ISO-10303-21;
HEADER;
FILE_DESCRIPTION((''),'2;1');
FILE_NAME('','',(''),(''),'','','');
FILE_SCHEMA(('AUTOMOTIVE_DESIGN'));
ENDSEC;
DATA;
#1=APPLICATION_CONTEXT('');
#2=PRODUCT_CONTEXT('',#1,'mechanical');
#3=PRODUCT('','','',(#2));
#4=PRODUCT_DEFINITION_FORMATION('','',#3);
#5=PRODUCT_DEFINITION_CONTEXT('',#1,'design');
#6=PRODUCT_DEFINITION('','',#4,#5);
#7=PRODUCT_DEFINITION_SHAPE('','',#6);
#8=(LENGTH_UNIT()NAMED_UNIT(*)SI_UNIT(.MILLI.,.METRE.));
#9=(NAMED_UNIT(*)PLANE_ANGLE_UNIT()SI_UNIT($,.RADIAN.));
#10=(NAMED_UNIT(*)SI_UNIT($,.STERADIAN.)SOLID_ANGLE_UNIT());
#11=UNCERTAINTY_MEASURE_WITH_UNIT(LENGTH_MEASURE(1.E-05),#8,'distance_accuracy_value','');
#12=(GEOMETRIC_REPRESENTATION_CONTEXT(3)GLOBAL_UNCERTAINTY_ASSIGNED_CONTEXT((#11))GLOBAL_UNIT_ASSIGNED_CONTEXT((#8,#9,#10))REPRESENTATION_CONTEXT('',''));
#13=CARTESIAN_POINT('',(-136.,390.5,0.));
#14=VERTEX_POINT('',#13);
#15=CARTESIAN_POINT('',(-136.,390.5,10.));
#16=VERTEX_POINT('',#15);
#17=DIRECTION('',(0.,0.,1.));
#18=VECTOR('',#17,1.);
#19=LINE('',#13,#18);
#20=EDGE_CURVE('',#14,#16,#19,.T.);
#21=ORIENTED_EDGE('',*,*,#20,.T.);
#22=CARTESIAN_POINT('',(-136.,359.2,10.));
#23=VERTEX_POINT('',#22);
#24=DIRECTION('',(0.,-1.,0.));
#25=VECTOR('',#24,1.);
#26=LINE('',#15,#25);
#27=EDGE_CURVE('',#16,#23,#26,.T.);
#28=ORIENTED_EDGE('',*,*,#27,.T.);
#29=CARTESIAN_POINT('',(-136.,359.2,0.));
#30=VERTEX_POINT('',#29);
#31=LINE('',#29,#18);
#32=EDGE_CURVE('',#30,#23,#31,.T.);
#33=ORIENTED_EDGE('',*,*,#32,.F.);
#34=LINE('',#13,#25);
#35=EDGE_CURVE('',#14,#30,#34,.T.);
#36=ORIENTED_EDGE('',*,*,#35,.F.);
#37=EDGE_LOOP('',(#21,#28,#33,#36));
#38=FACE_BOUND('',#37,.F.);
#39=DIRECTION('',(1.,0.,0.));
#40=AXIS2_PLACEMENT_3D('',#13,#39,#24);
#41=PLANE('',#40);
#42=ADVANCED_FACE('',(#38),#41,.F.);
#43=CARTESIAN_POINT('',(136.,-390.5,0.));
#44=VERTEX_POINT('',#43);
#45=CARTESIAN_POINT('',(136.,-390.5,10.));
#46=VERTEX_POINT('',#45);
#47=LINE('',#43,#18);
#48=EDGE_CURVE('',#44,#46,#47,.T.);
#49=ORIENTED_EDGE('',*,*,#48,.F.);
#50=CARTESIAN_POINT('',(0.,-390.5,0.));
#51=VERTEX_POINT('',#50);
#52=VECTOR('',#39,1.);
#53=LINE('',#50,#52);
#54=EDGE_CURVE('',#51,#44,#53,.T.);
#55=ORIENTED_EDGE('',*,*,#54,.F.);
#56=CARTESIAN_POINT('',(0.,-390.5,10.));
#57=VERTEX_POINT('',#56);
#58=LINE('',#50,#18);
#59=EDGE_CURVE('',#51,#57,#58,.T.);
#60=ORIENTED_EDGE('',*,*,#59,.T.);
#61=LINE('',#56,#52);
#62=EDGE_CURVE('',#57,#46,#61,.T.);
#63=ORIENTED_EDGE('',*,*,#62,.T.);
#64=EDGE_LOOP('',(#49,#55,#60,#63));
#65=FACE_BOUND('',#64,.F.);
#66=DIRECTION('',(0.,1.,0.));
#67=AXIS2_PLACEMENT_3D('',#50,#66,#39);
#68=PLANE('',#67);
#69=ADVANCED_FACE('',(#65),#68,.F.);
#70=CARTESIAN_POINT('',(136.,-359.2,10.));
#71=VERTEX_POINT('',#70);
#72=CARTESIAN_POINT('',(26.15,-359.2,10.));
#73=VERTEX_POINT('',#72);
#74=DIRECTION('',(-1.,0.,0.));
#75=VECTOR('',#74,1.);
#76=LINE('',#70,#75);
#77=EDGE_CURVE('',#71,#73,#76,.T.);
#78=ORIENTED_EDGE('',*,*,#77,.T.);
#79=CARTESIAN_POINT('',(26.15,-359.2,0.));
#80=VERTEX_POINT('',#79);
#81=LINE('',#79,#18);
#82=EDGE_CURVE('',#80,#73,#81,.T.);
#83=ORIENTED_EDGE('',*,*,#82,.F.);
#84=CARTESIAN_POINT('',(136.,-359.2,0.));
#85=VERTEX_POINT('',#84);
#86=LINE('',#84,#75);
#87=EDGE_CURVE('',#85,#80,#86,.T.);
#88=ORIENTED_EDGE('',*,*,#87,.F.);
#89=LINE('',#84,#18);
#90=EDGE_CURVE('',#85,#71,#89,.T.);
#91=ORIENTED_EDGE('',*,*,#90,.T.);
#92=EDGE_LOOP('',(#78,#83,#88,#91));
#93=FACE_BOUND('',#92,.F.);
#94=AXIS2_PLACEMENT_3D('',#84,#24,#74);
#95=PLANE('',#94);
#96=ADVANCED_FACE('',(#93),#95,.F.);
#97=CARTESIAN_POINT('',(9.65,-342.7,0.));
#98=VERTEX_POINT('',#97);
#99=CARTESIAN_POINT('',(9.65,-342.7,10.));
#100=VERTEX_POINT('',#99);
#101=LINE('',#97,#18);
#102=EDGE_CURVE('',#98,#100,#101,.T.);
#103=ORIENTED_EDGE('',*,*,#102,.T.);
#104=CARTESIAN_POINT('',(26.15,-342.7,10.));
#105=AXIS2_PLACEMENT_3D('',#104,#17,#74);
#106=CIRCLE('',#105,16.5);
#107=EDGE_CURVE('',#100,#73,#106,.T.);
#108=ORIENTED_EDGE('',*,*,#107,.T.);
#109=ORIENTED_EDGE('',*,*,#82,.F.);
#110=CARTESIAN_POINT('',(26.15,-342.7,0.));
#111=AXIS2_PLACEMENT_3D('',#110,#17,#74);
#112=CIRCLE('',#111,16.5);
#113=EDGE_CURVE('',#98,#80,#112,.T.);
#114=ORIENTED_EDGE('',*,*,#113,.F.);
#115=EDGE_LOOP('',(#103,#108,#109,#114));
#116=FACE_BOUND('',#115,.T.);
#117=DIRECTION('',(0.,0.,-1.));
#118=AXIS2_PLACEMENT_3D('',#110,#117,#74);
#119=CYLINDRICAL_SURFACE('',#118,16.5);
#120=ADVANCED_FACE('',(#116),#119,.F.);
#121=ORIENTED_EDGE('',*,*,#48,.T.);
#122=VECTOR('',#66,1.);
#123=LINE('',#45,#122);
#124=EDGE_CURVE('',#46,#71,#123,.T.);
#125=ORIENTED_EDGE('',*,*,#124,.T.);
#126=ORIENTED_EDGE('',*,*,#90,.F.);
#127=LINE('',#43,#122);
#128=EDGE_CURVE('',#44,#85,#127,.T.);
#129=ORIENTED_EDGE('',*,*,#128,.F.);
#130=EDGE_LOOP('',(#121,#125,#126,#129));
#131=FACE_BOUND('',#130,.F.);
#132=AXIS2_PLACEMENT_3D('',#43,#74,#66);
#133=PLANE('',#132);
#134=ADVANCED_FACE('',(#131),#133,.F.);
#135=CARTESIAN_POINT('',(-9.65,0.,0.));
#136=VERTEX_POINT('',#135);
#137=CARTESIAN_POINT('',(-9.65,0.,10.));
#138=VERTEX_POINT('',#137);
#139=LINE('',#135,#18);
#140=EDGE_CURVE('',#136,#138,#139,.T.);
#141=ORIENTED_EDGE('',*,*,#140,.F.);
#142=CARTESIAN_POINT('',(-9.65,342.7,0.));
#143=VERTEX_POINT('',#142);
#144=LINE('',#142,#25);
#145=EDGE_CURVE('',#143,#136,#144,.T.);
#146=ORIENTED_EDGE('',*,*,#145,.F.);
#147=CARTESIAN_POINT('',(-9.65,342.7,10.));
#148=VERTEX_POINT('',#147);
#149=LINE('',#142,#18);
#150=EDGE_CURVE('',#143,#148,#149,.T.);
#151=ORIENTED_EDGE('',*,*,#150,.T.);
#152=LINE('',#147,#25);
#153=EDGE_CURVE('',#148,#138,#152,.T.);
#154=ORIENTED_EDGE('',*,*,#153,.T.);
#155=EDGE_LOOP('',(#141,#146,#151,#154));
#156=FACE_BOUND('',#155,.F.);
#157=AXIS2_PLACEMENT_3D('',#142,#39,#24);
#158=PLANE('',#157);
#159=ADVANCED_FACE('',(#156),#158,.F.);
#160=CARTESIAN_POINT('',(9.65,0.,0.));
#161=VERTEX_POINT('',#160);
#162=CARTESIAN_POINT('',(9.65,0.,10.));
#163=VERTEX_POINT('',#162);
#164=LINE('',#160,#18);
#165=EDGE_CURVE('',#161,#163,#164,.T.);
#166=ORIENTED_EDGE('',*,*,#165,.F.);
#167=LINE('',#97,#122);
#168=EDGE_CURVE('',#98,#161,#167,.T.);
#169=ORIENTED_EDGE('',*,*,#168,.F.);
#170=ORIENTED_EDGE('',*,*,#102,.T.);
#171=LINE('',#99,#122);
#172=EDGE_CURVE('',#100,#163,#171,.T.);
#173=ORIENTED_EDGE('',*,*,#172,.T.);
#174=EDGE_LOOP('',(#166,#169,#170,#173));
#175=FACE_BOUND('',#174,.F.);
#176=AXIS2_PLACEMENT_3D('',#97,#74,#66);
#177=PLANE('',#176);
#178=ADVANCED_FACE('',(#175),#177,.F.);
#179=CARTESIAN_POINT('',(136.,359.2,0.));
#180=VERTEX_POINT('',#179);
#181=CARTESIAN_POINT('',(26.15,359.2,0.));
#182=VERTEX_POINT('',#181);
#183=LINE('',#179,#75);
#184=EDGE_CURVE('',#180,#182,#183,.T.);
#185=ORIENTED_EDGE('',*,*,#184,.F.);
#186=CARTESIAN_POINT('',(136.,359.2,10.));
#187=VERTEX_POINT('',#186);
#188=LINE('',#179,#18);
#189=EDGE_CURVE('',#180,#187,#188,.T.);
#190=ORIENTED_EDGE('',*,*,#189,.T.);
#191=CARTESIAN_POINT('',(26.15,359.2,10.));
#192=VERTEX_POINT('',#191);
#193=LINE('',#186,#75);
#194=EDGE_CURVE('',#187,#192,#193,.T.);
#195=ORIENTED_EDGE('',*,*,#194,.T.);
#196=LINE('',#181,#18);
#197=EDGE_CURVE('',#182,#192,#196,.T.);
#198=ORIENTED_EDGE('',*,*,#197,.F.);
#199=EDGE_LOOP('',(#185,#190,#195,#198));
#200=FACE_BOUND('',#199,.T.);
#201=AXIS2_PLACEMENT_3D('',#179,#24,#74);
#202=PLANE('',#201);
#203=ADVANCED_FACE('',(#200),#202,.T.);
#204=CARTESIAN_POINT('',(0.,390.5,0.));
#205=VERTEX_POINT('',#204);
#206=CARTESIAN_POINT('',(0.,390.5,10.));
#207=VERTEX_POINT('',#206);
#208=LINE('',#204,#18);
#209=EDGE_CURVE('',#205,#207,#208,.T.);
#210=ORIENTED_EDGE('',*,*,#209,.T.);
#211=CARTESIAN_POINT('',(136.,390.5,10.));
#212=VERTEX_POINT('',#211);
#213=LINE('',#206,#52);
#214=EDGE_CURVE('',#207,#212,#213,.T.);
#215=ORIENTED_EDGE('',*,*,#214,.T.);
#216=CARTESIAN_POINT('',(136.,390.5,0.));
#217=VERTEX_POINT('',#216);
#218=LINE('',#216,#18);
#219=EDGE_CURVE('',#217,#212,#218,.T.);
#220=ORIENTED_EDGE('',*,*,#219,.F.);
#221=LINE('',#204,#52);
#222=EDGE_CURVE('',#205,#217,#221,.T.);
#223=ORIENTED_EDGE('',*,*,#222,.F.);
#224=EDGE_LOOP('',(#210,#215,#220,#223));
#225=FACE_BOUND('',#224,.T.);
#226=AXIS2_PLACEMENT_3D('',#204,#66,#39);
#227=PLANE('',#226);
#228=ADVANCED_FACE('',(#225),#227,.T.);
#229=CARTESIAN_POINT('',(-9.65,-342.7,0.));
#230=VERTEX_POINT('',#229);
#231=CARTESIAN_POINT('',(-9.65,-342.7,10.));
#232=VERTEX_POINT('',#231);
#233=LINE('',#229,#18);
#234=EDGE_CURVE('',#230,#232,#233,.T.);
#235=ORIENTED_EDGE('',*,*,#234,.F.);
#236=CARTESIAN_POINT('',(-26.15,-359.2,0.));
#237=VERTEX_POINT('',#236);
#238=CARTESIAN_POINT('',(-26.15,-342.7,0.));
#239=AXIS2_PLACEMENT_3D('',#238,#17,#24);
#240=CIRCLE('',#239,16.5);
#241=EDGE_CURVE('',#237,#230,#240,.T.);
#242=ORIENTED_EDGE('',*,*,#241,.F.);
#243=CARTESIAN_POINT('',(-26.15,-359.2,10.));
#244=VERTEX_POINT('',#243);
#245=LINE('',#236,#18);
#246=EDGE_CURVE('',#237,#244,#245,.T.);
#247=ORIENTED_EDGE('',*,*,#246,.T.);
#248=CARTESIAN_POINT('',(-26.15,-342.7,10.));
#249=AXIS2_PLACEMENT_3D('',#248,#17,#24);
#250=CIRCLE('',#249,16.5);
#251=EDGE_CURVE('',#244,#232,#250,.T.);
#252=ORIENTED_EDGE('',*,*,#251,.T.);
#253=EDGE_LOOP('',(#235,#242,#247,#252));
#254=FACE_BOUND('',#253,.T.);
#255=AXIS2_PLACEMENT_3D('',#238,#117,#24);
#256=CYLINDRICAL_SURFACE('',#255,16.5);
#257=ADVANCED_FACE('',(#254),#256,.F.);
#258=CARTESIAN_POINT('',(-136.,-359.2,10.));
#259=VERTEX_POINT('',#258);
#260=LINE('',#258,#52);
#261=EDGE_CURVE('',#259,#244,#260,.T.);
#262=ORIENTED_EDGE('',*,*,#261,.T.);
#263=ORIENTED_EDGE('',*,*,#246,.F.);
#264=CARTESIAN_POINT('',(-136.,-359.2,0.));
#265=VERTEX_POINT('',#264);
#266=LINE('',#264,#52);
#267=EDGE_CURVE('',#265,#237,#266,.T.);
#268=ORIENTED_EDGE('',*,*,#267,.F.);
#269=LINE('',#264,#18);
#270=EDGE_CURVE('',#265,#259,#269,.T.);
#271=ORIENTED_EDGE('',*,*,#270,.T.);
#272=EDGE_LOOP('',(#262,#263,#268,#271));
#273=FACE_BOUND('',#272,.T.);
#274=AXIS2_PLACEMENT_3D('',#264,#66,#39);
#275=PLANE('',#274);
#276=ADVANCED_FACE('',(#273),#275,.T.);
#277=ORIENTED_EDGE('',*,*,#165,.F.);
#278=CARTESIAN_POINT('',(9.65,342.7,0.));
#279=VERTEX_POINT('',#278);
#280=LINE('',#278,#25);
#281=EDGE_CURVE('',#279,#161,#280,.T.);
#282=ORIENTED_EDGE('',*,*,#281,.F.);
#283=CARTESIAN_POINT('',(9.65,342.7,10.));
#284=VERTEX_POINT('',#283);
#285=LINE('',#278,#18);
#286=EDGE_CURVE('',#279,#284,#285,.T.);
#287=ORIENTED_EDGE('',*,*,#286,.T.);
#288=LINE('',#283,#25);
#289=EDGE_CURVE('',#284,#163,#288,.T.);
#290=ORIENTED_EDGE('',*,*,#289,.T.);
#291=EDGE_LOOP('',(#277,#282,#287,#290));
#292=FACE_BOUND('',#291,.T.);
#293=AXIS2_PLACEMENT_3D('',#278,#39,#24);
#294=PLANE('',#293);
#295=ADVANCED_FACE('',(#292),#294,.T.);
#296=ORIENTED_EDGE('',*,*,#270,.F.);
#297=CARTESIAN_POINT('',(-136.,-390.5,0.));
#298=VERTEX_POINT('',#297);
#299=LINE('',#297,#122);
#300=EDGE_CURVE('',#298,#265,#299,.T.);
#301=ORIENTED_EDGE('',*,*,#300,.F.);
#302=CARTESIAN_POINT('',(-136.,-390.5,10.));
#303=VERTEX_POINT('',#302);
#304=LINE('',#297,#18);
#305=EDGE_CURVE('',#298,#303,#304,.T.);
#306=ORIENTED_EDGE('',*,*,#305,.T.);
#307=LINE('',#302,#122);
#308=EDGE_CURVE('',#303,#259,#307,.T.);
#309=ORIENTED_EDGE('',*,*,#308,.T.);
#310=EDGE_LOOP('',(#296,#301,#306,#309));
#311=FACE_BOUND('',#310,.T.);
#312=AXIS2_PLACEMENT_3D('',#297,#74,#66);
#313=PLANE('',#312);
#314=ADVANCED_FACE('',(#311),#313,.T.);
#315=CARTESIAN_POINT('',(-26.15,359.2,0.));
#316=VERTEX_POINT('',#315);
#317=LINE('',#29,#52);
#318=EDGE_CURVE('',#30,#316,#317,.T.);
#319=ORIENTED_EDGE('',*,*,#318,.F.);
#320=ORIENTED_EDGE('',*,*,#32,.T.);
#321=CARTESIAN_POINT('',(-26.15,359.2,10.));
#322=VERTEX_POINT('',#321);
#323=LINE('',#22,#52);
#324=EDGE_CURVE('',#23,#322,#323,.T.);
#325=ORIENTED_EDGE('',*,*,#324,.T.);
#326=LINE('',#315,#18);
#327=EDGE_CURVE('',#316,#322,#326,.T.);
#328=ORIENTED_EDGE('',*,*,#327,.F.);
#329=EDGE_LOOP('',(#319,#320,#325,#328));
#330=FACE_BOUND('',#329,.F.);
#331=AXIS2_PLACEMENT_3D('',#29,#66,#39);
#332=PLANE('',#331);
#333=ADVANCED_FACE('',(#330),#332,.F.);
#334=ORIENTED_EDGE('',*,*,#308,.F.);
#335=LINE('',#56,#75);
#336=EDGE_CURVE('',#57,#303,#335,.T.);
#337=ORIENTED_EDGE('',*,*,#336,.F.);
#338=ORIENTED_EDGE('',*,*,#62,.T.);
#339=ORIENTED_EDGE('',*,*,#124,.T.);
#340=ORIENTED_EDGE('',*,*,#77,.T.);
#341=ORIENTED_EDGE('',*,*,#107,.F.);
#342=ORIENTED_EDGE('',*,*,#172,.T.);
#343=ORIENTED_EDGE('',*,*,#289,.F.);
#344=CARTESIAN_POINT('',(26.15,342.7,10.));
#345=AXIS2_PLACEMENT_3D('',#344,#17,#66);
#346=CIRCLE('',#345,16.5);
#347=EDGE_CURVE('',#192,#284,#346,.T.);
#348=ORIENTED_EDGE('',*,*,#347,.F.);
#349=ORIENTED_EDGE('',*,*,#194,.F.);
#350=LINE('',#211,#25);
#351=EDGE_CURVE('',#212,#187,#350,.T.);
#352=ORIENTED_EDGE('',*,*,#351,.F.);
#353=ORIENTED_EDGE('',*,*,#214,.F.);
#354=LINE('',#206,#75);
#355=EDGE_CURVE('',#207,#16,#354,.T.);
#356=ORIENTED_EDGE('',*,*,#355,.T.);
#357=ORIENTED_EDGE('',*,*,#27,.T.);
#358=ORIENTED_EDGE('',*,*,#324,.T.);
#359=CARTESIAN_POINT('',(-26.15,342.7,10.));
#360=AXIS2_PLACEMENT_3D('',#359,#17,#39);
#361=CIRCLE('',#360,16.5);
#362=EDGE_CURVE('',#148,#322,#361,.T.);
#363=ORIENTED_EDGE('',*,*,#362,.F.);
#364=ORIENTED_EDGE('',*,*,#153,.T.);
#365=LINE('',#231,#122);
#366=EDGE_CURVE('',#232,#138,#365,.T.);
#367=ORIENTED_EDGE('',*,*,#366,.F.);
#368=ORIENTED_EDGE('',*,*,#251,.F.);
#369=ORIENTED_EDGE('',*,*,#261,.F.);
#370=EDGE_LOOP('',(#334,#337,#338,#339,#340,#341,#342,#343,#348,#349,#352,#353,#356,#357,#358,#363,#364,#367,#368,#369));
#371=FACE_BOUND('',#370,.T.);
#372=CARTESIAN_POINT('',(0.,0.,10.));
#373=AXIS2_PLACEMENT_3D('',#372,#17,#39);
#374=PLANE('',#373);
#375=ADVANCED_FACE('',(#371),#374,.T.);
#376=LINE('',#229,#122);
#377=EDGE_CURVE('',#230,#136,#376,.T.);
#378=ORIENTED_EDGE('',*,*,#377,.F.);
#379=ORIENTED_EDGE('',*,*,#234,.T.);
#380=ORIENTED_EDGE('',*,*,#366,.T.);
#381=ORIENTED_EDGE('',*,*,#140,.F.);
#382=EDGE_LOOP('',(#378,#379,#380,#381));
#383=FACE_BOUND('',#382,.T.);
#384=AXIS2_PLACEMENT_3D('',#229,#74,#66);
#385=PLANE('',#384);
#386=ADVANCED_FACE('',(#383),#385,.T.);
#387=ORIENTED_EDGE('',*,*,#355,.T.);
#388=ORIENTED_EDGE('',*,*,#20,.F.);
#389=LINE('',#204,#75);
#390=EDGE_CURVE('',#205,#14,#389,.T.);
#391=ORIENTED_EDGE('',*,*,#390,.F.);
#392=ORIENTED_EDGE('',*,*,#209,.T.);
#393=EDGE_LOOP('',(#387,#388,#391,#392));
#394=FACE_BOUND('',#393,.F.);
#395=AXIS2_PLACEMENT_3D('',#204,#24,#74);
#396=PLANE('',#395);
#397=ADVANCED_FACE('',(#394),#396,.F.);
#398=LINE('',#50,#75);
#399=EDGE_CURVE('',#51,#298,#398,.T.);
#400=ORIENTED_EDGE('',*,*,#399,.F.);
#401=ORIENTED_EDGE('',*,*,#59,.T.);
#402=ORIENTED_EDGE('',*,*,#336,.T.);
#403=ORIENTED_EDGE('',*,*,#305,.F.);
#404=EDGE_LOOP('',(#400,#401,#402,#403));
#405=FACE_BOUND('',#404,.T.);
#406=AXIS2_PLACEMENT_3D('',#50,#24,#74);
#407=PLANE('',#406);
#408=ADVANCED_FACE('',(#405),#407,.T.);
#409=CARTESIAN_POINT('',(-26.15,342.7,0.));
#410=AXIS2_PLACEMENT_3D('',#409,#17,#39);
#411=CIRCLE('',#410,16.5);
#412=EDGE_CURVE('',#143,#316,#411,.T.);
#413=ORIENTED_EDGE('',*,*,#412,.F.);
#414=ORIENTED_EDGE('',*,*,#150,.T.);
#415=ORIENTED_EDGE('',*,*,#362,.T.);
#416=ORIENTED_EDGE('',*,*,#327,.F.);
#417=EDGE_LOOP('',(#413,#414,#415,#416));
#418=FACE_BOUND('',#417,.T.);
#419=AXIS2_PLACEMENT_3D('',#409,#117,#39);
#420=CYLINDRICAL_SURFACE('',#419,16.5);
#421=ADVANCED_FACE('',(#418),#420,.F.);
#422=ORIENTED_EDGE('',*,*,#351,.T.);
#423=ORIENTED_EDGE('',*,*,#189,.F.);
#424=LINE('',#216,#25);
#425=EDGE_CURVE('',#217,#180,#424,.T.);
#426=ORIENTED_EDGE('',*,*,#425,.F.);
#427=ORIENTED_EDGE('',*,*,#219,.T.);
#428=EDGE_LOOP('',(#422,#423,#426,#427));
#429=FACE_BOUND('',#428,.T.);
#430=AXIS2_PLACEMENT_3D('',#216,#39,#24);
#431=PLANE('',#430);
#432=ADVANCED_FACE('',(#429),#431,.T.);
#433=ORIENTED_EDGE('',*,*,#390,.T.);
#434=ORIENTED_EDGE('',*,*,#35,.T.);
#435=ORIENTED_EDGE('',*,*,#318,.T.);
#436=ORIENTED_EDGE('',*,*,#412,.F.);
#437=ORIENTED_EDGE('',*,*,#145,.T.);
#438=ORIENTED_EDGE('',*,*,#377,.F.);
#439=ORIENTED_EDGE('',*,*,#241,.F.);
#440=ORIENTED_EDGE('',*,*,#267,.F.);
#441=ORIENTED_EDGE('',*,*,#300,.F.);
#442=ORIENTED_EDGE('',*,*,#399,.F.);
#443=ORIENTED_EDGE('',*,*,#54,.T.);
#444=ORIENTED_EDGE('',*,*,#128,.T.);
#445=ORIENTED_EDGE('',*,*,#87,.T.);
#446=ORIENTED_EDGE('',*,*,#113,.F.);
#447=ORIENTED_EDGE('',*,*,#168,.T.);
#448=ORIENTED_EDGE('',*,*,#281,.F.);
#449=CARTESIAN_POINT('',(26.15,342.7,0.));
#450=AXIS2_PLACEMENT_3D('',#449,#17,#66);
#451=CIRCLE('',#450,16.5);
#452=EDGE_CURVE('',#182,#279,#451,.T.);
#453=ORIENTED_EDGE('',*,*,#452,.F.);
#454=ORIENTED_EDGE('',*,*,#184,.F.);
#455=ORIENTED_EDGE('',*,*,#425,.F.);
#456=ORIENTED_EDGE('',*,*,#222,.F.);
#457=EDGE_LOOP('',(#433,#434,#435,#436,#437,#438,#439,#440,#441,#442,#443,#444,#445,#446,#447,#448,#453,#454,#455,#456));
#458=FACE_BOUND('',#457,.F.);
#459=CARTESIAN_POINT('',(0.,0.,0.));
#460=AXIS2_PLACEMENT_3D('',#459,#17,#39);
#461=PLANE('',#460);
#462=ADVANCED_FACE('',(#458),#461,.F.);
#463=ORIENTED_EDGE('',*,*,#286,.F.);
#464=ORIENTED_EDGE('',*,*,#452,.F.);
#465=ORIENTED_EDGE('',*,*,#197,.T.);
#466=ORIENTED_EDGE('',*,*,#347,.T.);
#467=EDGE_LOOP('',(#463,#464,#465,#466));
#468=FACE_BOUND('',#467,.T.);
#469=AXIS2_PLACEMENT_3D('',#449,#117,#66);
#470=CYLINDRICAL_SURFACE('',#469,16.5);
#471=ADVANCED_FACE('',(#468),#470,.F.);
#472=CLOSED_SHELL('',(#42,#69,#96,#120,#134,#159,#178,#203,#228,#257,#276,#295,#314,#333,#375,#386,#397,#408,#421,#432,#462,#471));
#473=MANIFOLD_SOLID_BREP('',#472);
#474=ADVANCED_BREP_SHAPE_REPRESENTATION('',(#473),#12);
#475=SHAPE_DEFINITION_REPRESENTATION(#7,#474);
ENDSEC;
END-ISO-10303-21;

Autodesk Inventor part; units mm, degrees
ref_plane "YZ Plane" through (0, 0, 0) normal (1, 0, 0) x (0, 1, 0)
ref_plane "Start plane" through (0, 0, 0) normal (0, 0, 1) x (1, 0, 0)
ref_plane "End plane" through (0, 0, 10) normal (0, 0, 1) x (1, 0, 0)
sketch "Sketch" plane through (0, 0, 0) normal (0, 0, 1) x (1, 0, 0)
  line L0 (-136, -390.5) -> (-136, -359.2)
  line L1 (-136, -359.2) -> (-26.15, -359.2)
  line L2 (-9.65, -342.7) -> (-9.65, 0)
  line L3 (-9.65, 0) -> (0, 0) construction
  line L4 (0, 0) -> (0, -390.5) construction
  line L5 (0, -390.5) -> (-136, -390.5)
  line L6 (-60, 0) -> (80, 0) construction
  line L7 (0, -60) -> (0, 80) construction
  line L8 (136, -390.5) -> (136, -359.2)
  line L9 (136, -359.2) -> (26.15, -359.2)
  line L10 (9.65, -342.7) -> (9.65, 0)
  line L11 (9.65, 0) -> (0, 0) construction
  line L12 (0, -390.5) -> (136, -390.5)
  line L13 (-136, 390.5) -> (-136, 359.2)
  line L14 (-136, 359.2) -> (-26.15, 359.2)
  line L15 (-9.65, 342.7) -> (-9.65, 0)
  line L16 (0, 390.5) -> (-136, 390.5)
  line L17 (136, 390.5) -> (136, 359.2)
  line L18 (136, 359.2) -> (26.15, 359.2)
  line L19 (0, 390.5) -> (136, 390.5)
  line L20 (9.65, 342.7) -> (9.65, 0)
  arc A0 (-9.65, 342.7) -> (-26.15, 359.2) centre (-26.15, 342.7) ccw
  arc A1 (26.15, 359.2) -> (9.65, 342.7) centre (26.15, 342.7) ccw
  arc A2 (9.65, -342.7) -> (26.15, -359.2) centre (26.15, -342.7) ccw
  arc A3 (-26.15, -359.2) -> (-9.65, -342.7) centre (-26.15, -342.7) ccw
  line L21 (0, 108) -> (0, -88) construction
  line L22 (-88, 0) -> (108, 0) construction
  point P0 (-9.65, -359.2)
  point P1 (9.65, -359.2)
  point P2 (-9.65, 359.2)
  point P3 (9.65, 359.2)
  dimension "d1" = 390.5
  dimension "d2" = 31.3
  dimension "d3" = 136
  dimension "d4" = 9.65
  dimension "d10" = 16.5
extrude "Body" add sketch "Sketch" along normal up to surface (10 mm away) from surface at 0
sketch "Sketch4" plane through (0, 0, 0) normal (0, 0, 1) x (1, 0, 0)
  line L0 (0, 0) -> (10, 0)
ref_plane "Work Plane3" through (0, 0, 0) normal (0, -1, 0) x (1, 0, 0)
sketch "Sketch5" plane through (0, 0, 0) normal (0, -1, 0) x (1, 0, 0)
  line L0 (-2, 0) -> (12, 0) projected
  line L1 (-2, 10) -> (12, 10) projected
  dimension "d14" = 10
equation "\"d1\" = 0.5 * G_H"
equation "\"d2\" = G_T1"
equation "\"d3\" = 0.5 * G_W"
equation "\"d4\" = 0.5 * G_T"
equation "\"d10\" = G_IR"
equation "\"d5\" = G_L"
equation "\"G_W\" = 272"
equation "\"G_H\" = 781"
equation "\"G_T\" = 19.3"
equation "\"G_T1\" = 31.3"
equation "\"G_IR\" = 16.5"
equation "\"G_L\" = d14"
equation "\"G_OFFSET_START\" = 0"
equation "\"G_OFFSET_END\" = 0"
properties part number "AS 3679-1990 - 760 UB - 244 - 10" material "Steel, Mild"
